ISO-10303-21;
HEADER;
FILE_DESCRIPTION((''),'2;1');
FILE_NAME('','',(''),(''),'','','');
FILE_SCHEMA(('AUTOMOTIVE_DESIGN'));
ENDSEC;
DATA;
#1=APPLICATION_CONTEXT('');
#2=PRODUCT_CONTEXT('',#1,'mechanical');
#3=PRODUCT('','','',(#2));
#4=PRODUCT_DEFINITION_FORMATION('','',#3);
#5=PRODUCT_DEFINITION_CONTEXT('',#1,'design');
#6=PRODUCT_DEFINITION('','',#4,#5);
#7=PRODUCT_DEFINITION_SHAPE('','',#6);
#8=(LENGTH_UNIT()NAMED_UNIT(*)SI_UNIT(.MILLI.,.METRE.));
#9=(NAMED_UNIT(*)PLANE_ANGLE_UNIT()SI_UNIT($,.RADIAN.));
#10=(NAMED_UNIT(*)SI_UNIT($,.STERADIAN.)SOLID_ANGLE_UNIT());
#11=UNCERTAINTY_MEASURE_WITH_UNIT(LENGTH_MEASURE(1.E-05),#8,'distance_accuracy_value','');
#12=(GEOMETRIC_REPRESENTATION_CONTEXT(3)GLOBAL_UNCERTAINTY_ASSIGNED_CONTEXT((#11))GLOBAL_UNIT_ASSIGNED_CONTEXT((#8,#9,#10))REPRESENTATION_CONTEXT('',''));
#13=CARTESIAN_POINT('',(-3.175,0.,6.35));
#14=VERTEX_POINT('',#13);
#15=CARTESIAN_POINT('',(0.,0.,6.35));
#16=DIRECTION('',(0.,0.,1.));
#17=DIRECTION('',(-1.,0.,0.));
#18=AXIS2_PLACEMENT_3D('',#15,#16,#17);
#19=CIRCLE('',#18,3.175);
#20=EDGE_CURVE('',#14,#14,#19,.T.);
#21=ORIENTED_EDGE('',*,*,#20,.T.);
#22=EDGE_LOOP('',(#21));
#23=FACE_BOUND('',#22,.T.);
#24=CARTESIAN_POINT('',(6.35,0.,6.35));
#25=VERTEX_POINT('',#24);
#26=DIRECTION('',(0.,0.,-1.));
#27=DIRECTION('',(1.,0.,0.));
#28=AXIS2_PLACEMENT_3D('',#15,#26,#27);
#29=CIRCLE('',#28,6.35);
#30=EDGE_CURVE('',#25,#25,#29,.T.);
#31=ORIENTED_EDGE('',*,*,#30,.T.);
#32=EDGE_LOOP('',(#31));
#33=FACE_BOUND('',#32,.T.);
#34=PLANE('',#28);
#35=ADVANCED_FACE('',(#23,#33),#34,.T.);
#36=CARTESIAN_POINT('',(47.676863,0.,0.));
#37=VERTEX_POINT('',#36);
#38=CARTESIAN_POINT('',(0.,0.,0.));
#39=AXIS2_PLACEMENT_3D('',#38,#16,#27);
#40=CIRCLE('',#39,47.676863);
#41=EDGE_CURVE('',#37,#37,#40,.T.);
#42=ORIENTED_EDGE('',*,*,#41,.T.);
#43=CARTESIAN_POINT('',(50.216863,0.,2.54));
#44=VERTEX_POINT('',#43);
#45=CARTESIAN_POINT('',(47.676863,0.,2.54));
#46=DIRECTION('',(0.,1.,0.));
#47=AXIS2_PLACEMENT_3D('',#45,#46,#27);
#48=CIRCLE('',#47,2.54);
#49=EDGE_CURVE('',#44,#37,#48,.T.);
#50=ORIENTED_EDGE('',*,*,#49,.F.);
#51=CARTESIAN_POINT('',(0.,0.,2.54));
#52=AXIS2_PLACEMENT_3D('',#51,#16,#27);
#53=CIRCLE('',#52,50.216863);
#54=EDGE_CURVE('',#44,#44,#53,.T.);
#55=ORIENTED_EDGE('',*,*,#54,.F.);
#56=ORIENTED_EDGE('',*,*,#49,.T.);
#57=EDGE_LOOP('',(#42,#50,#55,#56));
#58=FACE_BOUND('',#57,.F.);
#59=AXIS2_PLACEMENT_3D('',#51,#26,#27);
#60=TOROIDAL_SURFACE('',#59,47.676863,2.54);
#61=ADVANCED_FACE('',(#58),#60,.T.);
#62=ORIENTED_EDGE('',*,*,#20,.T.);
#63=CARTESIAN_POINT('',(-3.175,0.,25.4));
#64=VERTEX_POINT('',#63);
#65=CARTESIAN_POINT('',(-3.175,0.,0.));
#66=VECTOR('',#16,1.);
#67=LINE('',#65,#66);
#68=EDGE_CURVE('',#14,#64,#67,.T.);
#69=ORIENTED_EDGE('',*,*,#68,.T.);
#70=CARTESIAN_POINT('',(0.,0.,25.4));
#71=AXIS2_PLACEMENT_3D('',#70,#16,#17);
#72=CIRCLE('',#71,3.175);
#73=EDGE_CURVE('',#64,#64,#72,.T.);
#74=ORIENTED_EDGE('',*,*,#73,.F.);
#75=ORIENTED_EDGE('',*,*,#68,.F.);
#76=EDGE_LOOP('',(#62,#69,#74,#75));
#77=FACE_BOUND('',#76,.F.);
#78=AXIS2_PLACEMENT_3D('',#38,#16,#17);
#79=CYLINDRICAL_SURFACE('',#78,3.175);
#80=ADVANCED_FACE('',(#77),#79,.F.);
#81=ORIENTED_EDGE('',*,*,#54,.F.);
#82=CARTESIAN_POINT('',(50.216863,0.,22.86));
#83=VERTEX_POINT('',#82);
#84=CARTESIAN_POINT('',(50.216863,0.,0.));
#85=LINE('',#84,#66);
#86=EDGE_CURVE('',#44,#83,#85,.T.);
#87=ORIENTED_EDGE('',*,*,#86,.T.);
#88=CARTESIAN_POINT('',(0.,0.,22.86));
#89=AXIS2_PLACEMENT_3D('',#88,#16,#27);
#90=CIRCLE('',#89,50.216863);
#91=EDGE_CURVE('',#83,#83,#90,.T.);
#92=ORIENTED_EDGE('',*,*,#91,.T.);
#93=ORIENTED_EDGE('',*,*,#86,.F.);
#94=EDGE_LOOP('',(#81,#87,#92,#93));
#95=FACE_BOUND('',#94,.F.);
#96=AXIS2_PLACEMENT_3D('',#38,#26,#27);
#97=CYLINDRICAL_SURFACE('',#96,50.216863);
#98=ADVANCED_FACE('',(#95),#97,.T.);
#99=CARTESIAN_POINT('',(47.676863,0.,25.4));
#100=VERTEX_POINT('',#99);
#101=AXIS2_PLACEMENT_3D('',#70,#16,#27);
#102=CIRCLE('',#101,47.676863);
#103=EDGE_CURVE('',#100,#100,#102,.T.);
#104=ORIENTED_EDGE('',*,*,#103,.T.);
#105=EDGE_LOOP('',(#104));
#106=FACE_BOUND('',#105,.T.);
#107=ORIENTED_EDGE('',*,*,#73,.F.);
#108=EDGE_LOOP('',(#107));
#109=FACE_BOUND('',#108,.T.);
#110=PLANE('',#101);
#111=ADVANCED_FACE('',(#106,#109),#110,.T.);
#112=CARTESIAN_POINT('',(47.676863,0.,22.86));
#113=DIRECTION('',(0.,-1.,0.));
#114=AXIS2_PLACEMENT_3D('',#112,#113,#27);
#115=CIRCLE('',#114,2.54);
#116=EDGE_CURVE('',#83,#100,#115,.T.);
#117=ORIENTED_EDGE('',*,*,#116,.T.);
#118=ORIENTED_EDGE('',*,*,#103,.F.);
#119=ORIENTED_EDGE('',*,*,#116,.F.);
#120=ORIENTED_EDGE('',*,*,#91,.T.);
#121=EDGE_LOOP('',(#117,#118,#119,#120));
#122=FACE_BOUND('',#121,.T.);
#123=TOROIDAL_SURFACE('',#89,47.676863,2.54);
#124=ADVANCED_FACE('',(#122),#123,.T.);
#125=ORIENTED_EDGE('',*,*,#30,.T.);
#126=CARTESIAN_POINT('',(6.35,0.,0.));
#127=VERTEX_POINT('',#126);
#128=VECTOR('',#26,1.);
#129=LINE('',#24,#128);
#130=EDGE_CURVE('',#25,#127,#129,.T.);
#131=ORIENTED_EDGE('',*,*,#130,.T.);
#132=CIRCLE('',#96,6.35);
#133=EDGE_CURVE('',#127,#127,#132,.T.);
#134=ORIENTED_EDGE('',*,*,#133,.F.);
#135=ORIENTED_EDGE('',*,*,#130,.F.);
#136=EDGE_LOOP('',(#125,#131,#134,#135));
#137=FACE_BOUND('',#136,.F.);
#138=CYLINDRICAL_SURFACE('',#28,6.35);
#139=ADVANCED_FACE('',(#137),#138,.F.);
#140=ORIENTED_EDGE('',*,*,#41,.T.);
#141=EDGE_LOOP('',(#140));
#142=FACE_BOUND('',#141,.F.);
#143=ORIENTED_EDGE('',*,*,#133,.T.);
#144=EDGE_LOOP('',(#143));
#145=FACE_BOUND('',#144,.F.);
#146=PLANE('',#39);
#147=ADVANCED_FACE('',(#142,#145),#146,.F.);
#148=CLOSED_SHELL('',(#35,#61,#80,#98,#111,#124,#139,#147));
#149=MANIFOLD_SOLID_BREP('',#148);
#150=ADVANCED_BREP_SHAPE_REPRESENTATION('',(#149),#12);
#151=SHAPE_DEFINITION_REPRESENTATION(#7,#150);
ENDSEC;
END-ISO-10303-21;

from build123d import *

# Parameters (mm, degrees)
F0_R           = 50.216863
F1_DEPTH       = 25.4
F2_R           = 2.54
F3_R           = 2.54
F4_D           = 6.35
F4_CBORE_D     = 12.7
F4_CBORE_DEPTH = 6.35


with BuildPart() as f1:
    # F0 (on Top) → F1 (new body)
    with BuildSketch(Plane.XY):
        Circle(F0_R)
    extrude(amount=F1_DEPTH)

    # F2
    f2_edges = [f1.edges().sort_by_distance(p)[0] for p in [
        (-50.216863, 0, 25.4),
    ]]
    fillet(f2_edges, radius=F2_R)

    # F3
    f3_edges = [f1.edges().sort_by_distance(p)[0] for p in [
        (-50.216863, 0, 0),
    ]]
    fillet(f3_edges, radius=F3_R)

    # F4 (through all)
    with Locations(Plane(origin=(0, 0, 0), x_dir=(1, 0, 0), z_dir=(0, 0, -1))):
        with Locations((0, 0)):
            CounterBoreHole(F4_D / 2, F4_CBORE_D / 2, F4_CBORE_DEPTH)


solid = f1.part
